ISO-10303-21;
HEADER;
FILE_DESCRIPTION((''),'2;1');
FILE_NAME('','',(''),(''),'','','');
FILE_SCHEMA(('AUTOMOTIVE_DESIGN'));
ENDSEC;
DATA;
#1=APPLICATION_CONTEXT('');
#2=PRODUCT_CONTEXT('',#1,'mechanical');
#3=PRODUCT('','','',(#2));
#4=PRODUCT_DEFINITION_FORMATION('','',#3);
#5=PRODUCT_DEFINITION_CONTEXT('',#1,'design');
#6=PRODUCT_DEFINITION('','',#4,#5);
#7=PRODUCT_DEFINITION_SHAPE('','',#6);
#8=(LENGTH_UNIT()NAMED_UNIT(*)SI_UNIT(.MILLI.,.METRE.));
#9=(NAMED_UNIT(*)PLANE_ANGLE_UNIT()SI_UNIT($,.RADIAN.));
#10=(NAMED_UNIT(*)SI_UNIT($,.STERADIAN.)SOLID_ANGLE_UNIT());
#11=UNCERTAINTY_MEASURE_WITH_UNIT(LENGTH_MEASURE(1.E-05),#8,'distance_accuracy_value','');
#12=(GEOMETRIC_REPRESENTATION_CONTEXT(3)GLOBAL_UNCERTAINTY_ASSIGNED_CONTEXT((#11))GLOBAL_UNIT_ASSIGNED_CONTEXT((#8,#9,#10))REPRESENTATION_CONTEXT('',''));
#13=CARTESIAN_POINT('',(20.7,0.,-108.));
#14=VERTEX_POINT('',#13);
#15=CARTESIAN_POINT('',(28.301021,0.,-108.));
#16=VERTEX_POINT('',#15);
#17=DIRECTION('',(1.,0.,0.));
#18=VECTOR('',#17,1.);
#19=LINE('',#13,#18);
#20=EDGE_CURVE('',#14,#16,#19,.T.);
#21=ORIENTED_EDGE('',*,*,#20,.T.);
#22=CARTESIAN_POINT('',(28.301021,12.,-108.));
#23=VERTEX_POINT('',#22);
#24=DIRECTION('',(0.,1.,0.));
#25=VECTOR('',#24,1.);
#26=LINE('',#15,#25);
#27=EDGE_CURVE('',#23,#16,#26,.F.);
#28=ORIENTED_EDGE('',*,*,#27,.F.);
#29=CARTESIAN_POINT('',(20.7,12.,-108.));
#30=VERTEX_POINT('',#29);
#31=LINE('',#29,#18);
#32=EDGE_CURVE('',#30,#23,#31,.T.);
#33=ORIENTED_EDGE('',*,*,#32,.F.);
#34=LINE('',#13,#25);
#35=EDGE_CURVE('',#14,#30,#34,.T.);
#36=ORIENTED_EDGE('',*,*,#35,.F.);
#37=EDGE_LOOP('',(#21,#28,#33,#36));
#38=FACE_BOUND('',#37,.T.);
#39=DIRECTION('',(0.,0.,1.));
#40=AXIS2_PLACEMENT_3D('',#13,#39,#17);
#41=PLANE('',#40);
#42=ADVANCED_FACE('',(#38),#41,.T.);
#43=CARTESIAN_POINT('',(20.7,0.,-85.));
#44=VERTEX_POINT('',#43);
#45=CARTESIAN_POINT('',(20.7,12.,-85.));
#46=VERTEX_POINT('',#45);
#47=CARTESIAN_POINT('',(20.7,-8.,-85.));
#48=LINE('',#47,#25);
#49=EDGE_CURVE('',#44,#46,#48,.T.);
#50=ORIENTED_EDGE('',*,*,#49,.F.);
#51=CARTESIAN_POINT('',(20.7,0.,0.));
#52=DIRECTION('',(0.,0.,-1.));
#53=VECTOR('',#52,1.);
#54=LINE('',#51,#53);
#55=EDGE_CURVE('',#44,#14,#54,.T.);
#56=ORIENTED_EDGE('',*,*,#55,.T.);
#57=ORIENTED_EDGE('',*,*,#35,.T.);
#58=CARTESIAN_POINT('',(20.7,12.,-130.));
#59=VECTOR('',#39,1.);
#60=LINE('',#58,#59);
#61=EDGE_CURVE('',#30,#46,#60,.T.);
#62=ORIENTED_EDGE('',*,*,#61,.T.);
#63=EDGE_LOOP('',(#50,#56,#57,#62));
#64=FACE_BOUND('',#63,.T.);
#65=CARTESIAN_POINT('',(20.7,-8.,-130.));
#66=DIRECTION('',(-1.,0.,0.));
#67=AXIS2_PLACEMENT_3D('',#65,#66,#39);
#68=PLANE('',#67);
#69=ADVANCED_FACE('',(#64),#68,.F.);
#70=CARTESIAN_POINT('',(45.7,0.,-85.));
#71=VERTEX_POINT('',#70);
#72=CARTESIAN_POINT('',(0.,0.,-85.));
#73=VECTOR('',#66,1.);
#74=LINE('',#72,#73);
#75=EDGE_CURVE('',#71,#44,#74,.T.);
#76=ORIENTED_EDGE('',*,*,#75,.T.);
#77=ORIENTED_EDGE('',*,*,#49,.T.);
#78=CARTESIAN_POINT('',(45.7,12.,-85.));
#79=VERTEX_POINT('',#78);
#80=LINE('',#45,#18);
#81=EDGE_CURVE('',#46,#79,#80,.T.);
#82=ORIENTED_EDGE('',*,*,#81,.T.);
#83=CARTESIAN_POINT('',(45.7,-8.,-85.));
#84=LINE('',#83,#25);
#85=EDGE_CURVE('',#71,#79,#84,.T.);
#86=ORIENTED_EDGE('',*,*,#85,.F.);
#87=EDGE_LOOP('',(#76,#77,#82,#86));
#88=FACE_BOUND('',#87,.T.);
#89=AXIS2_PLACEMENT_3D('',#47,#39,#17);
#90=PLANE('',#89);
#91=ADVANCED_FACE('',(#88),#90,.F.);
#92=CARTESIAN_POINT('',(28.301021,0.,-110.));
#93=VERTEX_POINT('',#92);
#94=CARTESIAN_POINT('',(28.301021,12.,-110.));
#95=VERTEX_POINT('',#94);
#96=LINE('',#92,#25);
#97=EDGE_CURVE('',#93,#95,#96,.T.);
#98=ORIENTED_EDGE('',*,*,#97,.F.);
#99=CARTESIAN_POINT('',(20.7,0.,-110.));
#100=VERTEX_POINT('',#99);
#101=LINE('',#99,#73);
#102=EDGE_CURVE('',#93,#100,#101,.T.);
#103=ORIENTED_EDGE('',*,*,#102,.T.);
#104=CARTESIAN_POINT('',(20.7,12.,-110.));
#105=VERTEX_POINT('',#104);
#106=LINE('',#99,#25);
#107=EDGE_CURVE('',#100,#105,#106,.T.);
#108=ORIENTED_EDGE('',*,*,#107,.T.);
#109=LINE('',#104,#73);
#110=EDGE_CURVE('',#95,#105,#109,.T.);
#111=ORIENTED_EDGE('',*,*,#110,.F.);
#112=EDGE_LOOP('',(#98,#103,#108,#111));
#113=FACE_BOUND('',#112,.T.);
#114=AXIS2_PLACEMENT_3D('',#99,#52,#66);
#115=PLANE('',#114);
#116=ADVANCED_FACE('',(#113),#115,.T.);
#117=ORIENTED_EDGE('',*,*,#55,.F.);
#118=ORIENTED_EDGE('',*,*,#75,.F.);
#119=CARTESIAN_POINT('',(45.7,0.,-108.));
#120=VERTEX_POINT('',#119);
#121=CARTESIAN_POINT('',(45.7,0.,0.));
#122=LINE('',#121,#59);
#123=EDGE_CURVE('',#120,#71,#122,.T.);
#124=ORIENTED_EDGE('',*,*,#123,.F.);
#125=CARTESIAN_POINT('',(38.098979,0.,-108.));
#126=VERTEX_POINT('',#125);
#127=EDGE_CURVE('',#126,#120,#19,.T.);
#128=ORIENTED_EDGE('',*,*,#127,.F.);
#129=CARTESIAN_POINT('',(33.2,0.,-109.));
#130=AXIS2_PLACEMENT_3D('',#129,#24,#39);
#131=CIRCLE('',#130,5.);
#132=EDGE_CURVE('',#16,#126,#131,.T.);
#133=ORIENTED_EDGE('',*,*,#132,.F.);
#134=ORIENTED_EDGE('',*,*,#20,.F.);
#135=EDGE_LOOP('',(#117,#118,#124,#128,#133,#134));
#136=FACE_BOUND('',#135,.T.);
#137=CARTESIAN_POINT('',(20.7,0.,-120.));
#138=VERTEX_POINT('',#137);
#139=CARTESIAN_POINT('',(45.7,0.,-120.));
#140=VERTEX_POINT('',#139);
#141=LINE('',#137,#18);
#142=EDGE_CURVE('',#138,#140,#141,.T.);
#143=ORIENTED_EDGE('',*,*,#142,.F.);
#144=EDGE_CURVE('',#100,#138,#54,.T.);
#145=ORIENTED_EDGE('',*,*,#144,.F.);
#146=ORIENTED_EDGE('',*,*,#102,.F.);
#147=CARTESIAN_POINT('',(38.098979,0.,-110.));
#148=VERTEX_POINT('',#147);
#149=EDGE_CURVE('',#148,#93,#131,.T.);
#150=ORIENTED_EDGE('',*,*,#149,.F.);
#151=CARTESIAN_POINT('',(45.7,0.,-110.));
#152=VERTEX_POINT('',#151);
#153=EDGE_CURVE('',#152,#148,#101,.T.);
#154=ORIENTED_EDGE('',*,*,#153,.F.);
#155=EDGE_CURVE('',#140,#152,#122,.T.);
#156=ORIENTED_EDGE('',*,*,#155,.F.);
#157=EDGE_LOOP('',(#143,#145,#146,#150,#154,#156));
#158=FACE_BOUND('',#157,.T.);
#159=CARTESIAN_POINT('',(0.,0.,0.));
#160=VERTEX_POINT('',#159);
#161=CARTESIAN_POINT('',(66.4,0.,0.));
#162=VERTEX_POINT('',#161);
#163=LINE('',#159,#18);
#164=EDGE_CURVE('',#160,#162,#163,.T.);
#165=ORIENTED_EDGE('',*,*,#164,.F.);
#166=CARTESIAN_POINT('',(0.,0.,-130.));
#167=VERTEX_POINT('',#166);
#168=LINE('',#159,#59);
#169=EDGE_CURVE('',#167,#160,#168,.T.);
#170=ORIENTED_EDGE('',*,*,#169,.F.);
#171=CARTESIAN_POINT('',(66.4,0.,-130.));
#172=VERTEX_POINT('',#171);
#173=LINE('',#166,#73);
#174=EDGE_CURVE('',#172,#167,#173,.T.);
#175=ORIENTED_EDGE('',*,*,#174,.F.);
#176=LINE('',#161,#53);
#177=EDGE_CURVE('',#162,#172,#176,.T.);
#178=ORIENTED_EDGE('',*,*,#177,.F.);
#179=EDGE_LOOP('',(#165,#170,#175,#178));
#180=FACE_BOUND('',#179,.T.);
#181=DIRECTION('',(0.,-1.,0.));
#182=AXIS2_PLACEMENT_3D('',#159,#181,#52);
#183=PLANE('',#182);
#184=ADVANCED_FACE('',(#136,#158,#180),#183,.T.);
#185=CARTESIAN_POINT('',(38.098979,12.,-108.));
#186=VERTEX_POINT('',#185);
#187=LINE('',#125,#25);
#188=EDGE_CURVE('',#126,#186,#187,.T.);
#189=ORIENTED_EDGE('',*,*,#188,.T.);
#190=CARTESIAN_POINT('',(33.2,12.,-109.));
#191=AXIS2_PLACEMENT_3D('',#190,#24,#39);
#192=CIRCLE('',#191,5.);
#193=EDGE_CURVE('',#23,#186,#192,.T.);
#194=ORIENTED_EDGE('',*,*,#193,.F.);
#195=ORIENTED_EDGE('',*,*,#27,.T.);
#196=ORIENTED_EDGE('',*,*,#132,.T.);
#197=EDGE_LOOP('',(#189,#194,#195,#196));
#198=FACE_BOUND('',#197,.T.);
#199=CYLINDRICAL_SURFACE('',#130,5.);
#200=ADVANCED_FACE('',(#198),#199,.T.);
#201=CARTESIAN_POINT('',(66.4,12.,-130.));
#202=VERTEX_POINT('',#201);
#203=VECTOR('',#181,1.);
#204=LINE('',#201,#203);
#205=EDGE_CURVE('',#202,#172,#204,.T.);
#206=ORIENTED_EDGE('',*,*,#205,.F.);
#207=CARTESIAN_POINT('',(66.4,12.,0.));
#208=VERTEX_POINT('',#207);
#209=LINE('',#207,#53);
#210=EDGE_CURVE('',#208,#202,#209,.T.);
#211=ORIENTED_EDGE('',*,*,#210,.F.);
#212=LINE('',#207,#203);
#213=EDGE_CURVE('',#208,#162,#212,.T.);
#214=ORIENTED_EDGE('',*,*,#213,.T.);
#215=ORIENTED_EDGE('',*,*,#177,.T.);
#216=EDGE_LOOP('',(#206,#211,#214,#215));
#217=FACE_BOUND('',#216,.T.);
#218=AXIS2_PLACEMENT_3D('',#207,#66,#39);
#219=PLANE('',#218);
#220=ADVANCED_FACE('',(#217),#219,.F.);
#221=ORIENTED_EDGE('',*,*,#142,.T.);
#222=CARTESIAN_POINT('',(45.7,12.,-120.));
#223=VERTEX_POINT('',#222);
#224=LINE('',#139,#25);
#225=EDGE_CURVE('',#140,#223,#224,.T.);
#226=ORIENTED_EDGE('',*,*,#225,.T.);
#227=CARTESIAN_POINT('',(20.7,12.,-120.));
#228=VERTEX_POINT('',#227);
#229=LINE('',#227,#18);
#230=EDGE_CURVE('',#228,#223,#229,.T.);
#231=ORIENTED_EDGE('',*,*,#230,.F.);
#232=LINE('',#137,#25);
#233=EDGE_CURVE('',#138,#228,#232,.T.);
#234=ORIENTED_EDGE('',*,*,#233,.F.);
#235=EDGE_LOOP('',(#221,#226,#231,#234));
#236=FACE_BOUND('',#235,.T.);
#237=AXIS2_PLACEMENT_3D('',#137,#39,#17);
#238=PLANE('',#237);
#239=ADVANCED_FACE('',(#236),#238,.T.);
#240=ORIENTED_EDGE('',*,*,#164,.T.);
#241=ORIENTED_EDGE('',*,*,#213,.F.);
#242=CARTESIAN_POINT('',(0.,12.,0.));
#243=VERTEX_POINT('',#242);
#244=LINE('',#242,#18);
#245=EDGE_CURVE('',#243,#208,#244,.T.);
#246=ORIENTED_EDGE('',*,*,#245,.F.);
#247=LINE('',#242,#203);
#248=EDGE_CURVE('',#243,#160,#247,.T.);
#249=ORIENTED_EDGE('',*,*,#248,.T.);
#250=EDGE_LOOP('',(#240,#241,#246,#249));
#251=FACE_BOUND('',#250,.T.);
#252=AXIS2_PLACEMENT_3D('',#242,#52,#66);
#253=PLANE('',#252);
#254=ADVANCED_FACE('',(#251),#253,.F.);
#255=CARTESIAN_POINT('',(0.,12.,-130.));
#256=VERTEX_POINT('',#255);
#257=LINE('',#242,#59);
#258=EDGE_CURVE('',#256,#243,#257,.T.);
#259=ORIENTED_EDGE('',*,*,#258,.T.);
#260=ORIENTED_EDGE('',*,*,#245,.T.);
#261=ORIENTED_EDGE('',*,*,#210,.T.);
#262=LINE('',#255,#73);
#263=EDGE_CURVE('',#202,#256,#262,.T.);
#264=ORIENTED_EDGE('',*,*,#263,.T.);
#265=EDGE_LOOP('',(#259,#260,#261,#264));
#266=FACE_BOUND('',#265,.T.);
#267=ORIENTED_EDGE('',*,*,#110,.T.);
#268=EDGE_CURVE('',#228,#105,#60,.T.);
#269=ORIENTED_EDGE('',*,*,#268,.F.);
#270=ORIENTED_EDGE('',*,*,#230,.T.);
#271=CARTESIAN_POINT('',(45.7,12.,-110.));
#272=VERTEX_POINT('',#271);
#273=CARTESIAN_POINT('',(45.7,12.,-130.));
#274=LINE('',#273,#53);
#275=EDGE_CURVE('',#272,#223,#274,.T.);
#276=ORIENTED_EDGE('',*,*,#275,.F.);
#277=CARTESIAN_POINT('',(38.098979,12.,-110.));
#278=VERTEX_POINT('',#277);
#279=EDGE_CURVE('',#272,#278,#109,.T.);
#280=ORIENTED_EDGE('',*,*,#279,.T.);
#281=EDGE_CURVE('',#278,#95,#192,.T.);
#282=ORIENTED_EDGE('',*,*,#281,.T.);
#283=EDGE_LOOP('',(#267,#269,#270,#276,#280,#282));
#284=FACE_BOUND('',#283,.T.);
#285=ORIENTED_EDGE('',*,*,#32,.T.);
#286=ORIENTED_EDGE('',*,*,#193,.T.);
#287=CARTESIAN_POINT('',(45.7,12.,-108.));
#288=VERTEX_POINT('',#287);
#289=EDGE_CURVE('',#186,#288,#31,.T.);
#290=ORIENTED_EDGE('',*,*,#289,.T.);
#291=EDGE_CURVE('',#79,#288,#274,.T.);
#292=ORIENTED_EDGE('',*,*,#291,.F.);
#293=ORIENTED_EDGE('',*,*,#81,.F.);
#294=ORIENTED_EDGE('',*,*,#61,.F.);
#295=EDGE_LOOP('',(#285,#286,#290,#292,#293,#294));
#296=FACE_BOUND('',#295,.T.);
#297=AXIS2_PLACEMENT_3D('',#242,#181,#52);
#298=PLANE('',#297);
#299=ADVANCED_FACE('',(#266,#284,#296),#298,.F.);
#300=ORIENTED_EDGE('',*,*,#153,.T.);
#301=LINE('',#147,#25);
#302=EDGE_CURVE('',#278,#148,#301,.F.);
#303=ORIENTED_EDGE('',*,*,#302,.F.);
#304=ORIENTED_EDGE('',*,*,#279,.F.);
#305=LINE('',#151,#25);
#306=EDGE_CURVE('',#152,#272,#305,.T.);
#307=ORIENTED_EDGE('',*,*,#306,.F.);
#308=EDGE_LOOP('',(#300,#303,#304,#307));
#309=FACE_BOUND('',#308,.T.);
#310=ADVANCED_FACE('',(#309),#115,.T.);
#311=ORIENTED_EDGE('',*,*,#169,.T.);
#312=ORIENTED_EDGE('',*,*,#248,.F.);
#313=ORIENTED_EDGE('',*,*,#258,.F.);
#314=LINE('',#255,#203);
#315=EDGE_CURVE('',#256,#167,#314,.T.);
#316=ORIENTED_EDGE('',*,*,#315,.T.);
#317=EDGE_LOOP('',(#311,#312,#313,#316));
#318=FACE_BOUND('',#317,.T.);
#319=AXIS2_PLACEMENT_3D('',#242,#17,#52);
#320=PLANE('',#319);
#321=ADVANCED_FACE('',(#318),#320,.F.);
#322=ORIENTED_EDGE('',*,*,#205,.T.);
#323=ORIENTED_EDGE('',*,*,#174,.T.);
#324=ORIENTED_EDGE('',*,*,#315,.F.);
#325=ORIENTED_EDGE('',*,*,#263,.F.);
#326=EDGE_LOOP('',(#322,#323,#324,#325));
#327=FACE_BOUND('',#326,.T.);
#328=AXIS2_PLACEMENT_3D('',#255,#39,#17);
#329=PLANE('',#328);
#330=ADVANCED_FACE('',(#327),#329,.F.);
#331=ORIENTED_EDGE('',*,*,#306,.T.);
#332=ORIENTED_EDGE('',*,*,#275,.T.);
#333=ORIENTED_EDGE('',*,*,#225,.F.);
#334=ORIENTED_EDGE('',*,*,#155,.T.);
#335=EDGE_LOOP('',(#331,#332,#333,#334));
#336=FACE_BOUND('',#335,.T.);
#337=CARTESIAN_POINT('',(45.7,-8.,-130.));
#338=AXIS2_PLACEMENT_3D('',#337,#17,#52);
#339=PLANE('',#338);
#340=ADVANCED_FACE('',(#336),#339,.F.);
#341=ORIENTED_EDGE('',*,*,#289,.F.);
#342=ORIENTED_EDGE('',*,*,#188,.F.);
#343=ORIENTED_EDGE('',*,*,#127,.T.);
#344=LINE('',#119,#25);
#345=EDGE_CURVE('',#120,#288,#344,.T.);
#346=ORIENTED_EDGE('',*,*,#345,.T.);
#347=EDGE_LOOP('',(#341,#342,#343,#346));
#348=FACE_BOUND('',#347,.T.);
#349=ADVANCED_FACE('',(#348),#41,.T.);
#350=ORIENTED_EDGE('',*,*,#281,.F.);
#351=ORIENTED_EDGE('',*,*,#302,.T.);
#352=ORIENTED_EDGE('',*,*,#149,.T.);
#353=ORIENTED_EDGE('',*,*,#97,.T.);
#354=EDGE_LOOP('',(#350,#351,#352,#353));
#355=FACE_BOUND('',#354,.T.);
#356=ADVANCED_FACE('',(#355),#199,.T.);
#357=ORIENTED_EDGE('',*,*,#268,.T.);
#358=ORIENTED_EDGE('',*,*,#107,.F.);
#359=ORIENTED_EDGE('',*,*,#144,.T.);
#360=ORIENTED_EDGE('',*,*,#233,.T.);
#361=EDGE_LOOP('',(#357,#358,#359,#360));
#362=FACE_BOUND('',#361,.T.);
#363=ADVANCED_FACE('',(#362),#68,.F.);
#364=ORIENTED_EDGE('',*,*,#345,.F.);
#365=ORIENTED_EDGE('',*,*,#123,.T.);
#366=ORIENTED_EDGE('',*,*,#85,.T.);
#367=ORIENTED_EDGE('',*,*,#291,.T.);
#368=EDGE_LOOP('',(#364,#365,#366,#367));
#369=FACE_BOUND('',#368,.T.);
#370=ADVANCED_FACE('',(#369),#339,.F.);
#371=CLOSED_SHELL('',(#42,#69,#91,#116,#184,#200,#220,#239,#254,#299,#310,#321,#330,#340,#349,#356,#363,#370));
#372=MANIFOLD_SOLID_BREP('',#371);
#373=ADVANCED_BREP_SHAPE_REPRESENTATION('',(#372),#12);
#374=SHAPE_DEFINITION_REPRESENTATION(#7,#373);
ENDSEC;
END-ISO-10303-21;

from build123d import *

# Parameters (mm, degrees)
SKETCH1_W           = 66.4
SKETCH1_H           = 130
BOSS_EXTRUDE1_DEPTH = 12
SKETCH2_W           = 25
SKETCH2_H           = 45
CUT_EXTRUDE2_DEPTH  = 20
SKETCH3_W           = 25
SKETCH3_H           = 10
BOSS_EXTRUDE2_DEPTH = 12
SKETCH4_R           = 5
BOSS_EXTRUDE4_DEPTH = 12
SKETCH5_W           = 25
SKETCH5_H           = 2
BOSS_EXTRUDE5_DEPTH = 12


with BuildPart() as part:
    # Sketch1 → Boss-Extrude1 (new body)
    with BuildSketch(Plane(origin=(0, 0, 0), x_dir=(1, 0, 0), z_dir=(0, 1, 0))):
        with Locations((33.2, 65)):
            Rectangle(SKETCH1_W, SKETCH1_H)
    extrude(amount=BOSS_EXTRUDE1_DEPTH)

    # Sketch2 → Cut-Extrude2 (cut)
    with BuildSketch(Plane(origin=(0, 12, 0), x_dir=(1, 0, 0), z_dir=(0, 1, 0))):
        with Locations((33.2, 107.5)):
            Rectangle(SKETCH2_W, SKETCH2_H)
    extrude(amount=-CUT_EXTRUDE2_DEPTH, mode=Mode.SUBTRACT)

    # Sketch3 → Boss-Extrude2 (add)
    with BuildSketch(Plane(origin=(0, 12, 0), x_dir=(1, 0, 0), z_dir=(0, 1, 0))):
        with Locations((33.2, 125)):
            Rectangle(SKETCH3_W, SKETCH3_H)
    extrude(amount=-BOSS_EXTRUDE2_DEPTH)



with BuildPart() as body_2:
    # Sketch4 → Boss-Extrude4 (new body)
    with BuildSketch(Plane(origin=(0, 12, 0), x_dir=(1, 0, 0), z_dir=(0, 1, 0))):
        with Locations(Location((33.2, 109, 0), (0, 0, 270))):
            Circle(SKETCH4_R)
    extrude(amount=-BOSS_EXTRUDE4_DEPTH)


with BuildPart() as part_1:
    add(part.part)

    add(body_2.part)  # Boss-Extrude5 merges body 2
    # Sketch5 → Boss-Extrude5 (add)
    with BuildSketch(Plane(origin=(0, 12, 0), x_dir=(1, 0, 0), z_dir=(0, 1, 0))):
        with Locations((33.2, 109)):
            Rectangle(SKETCH5_W, SKETCH5_H)
    extrude(amount=-BOSS_EXTRUDE5_DEPTH)


solid = part_1.part
